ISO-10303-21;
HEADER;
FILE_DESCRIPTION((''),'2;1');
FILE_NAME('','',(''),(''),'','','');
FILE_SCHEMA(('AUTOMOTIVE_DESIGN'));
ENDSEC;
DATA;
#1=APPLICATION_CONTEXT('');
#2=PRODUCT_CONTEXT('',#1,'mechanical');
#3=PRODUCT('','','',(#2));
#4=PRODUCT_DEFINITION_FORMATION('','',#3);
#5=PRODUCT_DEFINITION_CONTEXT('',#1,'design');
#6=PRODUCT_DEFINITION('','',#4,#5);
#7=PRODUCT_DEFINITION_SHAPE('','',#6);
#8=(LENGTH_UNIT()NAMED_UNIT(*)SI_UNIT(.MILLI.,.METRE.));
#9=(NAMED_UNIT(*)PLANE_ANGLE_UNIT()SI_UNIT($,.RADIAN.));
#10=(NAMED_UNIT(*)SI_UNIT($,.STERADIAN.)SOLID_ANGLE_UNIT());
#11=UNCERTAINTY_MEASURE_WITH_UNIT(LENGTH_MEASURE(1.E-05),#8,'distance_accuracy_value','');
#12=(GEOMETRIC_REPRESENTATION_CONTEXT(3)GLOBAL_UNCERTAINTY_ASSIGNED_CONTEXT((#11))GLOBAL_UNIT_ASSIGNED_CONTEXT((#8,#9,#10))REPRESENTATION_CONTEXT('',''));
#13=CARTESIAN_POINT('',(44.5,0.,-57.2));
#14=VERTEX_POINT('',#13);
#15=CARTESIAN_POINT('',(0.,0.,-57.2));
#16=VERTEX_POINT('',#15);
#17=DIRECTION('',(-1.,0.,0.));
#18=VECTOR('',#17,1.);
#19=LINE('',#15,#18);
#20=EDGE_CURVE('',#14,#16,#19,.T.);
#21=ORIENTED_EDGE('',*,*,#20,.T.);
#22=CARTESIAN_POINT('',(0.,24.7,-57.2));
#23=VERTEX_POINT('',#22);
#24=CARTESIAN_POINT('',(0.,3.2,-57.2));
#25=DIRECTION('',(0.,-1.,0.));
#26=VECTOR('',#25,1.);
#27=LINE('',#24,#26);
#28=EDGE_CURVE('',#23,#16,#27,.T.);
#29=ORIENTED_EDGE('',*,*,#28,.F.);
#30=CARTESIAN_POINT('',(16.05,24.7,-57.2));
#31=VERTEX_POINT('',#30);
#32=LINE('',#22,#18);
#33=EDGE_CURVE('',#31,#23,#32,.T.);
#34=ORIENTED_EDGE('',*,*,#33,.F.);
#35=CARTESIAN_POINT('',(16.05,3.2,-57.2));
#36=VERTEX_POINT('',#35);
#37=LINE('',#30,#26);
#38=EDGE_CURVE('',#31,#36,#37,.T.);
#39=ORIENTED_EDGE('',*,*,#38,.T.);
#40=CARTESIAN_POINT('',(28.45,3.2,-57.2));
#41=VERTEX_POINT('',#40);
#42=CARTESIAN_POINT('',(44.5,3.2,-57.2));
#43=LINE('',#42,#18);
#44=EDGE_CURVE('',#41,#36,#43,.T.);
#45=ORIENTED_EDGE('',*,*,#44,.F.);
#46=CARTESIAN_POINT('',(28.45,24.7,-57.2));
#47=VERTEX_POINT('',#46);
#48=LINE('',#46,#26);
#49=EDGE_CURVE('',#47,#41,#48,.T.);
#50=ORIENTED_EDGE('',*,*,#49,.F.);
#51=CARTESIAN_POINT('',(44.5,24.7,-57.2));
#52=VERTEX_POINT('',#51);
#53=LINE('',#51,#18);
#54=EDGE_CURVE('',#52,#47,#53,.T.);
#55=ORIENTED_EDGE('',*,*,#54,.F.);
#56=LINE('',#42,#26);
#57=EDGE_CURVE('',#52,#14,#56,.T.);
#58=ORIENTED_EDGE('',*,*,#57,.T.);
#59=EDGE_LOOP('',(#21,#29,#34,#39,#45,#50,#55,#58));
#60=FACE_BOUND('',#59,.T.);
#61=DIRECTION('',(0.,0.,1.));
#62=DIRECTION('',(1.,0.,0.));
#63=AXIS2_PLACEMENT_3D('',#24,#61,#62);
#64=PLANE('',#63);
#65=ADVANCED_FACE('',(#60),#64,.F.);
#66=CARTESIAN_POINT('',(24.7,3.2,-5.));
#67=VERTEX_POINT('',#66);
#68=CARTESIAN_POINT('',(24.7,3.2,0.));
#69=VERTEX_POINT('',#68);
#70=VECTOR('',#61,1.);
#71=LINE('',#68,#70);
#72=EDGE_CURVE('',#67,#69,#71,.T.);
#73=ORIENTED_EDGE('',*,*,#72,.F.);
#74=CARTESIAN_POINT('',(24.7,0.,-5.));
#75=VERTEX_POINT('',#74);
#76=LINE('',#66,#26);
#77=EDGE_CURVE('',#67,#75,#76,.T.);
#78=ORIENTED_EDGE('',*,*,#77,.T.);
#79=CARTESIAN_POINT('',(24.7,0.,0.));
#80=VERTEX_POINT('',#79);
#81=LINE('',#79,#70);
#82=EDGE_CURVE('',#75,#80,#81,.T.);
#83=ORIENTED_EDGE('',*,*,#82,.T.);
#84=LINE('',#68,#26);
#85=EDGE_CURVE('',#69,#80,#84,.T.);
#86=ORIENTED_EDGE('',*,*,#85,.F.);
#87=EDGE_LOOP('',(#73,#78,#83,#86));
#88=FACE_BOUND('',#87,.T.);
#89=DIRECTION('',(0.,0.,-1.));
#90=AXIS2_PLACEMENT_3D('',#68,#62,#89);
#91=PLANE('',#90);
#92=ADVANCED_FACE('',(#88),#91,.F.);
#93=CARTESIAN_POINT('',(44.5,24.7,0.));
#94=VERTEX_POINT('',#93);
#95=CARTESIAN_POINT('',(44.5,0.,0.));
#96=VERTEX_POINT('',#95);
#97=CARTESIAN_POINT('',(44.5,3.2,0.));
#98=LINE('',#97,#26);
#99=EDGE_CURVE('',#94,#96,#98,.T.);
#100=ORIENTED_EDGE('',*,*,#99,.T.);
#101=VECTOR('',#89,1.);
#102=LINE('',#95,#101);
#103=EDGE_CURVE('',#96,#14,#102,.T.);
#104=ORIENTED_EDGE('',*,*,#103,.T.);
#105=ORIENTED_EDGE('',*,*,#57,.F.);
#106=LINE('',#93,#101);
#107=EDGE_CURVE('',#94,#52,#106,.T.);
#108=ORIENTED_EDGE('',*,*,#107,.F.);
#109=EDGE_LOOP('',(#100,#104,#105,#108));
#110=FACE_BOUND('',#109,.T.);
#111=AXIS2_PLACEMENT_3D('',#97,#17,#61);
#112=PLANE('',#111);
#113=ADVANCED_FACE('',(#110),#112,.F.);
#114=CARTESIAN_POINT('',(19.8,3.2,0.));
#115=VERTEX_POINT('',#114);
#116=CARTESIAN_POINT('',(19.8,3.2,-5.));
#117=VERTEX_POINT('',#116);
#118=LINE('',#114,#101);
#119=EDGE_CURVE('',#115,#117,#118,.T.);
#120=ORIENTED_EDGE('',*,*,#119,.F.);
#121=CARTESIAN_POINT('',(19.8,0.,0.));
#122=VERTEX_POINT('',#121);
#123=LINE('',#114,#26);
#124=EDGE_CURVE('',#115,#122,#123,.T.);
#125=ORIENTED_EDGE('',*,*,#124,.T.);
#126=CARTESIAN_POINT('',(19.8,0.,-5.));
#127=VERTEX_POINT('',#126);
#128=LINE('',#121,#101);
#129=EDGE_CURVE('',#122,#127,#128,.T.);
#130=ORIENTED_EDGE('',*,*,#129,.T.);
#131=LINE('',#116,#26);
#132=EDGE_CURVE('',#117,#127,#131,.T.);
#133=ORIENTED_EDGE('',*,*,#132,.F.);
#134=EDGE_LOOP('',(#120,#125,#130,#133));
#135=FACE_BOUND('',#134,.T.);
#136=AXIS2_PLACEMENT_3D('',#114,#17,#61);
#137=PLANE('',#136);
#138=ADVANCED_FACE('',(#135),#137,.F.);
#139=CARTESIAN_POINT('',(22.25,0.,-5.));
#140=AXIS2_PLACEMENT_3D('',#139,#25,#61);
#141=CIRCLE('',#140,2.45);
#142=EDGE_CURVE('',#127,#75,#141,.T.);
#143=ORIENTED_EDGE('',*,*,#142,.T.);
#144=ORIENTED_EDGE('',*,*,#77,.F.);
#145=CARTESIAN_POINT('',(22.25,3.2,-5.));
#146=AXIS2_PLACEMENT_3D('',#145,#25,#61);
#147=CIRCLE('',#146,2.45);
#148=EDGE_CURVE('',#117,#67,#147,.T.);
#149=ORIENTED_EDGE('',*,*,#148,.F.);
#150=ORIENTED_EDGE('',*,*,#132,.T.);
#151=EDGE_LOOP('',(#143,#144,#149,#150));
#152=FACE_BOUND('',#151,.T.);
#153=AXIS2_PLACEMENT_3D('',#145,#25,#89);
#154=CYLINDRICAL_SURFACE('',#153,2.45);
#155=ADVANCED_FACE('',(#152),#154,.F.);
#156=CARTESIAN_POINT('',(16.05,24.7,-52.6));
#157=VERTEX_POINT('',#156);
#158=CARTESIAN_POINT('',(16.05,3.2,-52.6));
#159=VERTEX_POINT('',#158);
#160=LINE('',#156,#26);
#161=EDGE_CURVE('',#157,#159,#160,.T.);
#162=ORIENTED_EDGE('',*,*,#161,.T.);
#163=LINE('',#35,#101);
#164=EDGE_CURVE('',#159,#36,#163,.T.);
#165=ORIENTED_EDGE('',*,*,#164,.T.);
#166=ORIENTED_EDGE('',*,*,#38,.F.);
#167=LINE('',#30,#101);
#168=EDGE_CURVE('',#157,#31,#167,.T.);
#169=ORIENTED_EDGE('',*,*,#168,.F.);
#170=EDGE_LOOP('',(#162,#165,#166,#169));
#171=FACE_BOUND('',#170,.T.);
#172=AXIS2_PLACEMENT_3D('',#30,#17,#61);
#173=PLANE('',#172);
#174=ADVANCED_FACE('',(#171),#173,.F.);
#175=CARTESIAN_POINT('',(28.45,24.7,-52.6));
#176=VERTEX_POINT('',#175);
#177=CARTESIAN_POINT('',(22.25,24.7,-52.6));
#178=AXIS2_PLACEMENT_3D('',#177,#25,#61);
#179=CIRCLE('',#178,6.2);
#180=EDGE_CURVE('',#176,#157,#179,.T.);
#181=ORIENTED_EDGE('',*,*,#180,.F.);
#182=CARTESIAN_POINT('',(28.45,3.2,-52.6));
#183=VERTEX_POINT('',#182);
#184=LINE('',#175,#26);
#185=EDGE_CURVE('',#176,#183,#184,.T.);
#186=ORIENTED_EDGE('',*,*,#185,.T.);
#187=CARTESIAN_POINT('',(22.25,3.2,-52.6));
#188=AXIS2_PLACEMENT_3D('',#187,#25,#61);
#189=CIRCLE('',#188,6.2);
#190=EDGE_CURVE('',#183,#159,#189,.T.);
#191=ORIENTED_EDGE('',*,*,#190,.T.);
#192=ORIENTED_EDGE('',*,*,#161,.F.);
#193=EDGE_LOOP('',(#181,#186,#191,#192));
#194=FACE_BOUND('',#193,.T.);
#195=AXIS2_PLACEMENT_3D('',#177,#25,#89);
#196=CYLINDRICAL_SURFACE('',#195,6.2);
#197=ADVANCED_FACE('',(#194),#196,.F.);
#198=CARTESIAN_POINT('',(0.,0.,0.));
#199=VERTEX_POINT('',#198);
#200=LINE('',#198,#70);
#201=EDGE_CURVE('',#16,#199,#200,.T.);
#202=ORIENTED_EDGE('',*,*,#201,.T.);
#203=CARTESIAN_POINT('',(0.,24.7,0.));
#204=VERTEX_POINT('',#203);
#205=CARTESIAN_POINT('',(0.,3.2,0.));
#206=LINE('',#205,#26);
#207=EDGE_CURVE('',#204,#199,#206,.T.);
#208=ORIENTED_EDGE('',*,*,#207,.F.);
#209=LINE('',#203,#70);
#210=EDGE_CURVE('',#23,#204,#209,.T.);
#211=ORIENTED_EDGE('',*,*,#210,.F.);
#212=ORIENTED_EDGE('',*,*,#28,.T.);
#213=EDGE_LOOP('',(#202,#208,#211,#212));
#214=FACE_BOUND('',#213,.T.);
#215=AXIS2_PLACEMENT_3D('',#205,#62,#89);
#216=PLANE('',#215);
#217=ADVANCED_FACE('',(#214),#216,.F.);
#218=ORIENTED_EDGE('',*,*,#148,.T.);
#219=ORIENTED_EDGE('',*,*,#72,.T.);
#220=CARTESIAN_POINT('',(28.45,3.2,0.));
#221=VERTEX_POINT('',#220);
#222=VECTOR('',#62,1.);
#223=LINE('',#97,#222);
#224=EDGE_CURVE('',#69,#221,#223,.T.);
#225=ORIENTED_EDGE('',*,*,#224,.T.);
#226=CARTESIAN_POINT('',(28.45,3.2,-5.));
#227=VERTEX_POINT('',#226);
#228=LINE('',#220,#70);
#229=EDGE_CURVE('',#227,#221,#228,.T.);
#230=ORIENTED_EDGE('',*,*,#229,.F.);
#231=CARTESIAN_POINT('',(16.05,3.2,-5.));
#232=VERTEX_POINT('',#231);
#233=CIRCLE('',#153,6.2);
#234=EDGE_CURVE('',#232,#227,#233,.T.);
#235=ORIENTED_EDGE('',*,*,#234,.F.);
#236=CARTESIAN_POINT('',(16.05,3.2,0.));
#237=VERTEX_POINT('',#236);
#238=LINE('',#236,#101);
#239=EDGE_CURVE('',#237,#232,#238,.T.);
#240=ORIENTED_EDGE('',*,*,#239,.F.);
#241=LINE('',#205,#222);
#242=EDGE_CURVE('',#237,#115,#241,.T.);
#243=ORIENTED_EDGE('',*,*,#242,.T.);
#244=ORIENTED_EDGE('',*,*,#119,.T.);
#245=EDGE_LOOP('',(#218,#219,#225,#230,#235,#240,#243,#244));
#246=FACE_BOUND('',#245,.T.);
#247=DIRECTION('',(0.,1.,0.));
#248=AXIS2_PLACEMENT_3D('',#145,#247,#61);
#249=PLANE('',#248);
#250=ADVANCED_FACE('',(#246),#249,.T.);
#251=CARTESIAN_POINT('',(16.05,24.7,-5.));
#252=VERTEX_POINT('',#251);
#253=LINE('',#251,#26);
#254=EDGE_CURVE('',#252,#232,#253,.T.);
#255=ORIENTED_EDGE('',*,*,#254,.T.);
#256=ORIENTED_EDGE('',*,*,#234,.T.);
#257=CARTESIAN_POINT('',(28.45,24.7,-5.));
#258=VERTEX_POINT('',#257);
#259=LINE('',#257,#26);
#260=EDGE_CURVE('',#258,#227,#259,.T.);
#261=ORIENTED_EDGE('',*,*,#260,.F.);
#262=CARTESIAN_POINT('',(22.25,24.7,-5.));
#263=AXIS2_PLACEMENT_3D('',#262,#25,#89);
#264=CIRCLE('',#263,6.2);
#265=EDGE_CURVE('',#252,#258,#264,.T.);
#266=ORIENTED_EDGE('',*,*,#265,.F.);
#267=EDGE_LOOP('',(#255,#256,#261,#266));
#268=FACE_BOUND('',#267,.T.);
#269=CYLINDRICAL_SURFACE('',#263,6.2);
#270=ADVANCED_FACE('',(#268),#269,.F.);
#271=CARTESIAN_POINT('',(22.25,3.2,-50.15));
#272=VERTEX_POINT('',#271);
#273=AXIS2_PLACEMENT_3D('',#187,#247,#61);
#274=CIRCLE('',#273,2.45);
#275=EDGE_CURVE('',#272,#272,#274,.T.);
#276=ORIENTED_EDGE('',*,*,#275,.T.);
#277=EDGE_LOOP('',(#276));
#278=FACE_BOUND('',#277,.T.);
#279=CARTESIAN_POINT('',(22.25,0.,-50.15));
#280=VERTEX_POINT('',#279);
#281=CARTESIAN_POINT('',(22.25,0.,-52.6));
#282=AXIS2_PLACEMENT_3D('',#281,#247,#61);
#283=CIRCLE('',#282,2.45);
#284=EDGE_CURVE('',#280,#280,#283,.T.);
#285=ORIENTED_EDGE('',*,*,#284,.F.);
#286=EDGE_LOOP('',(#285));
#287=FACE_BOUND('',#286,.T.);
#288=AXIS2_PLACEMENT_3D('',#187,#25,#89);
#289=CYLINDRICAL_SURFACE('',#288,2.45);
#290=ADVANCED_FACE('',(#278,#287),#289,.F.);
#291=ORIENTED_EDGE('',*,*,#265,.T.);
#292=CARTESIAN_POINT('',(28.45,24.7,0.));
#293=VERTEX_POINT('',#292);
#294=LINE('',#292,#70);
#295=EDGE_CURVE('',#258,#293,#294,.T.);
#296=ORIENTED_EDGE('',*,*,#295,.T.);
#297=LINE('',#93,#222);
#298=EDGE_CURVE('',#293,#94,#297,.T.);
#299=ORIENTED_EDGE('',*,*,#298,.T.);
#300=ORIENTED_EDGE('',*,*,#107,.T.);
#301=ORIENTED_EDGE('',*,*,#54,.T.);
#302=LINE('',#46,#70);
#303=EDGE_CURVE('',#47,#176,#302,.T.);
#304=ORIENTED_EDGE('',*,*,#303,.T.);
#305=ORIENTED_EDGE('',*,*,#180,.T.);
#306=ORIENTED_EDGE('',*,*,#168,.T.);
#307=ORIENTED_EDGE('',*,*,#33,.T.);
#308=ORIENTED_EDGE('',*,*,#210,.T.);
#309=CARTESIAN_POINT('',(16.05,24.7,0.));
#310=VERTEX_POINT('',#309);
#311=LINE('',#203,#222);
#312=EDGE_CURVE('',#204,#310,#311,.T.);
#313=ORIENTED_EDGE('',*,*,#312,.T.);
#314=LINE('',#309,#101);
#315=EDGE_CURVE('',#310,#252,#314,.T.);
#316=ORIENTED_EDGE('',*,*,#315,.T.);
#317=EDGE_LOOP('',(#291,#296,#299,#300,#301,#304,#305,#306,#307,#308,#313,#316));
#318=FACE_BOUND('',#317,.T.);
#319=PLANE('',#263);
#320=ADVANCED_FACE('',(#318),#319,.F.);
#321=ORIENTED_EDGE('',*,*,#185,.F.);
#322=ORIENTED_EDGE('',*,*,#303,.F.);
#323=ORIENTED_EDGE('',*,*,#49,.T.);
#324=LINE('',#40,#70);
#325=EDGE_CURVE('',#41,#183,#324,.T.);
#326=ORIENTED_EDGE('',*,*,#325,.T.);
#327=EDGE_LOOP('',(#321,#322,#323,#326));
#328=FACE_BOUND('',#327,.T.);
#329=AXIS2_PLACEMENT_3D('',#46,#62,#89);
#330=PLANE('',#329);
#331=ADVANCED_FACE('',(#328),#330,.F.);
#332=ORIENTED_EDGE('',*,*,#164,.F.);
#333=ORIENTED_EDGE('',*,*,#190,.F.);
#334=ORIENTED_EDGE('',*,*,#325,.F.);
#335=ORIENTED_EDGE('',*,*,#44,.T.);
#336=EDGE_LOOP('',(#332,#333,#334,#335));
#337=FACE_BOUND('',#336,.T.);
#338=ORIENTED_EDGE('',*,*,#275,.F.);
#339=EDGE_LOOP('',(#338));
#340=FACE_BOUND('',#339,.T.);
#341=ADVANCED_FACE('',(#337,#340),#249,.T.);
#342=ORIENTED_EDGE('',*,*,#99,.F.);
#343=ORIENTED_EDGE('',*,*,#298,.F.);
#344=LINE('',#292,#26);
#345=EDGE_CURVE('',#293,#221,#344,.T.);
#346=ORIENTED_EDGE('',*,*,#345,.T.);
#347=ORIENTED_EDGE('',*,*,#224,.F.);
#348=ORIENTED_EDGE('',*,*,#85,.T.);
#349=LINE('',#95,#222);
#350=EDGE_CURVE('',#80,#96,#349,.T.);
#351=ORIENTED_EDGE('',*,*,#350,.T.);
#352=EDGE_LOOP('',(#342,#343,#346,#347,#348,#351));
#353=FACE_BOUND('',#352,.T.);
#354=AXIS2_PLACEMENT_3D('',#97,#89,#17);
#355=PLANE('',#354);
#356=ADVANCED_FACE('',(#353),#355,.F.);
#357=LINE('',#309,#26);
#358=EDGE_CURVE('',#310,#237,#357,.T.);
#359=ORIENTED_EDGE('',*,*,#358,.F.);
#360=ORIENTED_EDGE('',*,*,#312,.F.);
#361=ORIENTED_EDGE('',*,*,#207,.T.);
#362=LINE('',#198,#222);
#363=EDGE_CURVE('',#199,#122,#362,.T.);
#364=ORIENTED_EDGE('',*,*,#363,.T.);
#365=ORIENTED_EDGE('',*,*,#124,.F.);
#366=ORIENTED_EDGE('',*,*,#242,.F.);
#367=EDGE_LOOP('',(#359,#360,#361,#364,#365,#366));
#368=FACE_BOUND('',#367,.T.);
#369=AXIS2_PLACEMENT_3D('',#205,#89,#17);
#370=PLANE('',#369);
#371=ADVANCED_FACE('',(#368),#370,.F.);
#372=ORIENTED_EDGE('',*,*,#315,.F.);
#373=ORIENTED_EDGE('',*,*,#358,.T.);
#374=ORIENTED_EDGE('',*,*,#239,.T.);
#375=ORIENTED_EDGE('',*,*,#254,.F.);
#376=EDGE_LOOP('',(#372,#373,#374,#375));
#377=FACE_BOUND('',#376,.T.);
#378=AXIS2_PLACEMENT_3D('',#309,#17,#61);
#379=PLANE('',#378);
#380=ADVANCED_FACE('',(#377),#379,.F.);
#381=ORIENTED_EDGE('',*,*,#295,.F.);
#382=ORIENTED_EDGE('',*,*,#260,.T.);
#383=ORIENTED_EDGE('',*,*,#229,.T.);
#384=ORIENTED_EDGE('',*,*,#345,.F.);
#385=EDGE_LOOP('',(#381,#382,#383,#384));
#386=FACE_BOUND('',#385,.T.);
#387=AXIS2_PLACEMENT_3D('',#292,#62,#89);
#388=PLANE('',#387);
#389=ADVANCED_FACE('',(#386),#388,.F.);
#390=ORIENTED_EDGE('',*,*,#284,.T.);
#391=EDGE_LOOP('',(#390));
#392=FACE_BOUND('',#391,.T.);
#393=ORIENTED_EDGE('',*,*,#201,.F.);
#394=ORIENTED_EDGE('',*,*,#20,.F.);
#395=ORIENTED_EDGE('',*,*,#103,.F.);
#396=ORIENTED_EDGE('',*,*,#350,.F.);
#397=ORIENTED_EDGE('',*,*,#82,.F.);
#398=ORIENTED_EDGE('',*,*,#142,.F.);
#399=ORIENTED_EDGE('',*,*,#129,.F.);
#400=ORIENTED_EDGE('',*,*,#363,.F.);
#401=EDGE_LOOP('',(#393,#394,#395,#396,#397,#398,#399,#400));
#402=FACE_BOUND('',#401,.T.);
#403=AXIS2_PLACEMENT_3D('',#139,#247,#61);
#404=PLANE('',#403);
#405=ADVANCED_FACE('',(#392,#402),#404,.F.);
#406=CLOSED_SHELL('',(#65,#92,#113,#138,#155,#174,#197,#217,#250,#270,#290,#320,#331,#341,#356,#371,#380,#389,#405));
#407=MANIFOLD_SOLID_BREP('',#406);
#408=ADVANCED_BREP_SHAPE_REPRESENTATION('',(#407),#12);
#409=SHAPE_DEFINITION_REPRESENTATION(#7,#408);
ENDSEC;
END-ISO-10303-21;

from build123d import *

# Parameters (mm, degrees)
SKETCH1_R           = 2.45
BOSS_EXTRUDE1_DEPTH = 3.2
BOSS_EXTRUDE2_DEPTH = 21.5


with BuildPart() as part:
    # Sketch1 → Boss-Extrude1 (new body)
    with BuildSketch(Plane(origin=(0, 0, 0), x_dir=(1, 0, 0), z_dir=(0, 1, 0))):
        with BuildLine():
            Line((0, 0), (19.8, 0))
            Line((19.8, 0), (19.8, 5))
            ThreePointArc((19.8, 5), (22.25, 7.45), (24.7, 5))
            Line((24.7, 5), (24.7, 0))
            Line((24.7, 0), (44.5, 0))
            Line((44.5, 0), (44.5, 57.2))
            Line((44.5, 57.2), (28.45, 57.2))
            Line((28.45, 57.2), (16.05, 57.2))
            Line((16.05, 57.2), (0, 57.2))
            Line((0, 57.2), (0, 0))
        make_face()
        with Locations((22.25, 52.6)):
            Circle(SKETCH1_R, mode=Mode.SUBTRACT)
    extrude(amount=BOSS_EXTRUDE1_DEPTH)

    # Sketch2 → Boss-Extrude2 (add)
    with BuildSketch(Plane(origin=(0, 3.2, 0), x_dir=(1, 0, 0), z_dir=(0, 1, 0))):
        with BuildLine():
            Line((0, 0), (0, 57.2))
            Line((0, 57.2), (16.05, 57.2))
            Line((16.05, 57.2), (16.05, 52.6))
            ThreePointArc((16.05, 52.6), (22.25, 46.4), (28.45, 52.6))
            Line((28.45, 52.6), (28.45, 57.2))
            Line((28.45, 57.2), (44.5, 57.2))
            Line((44.5, 57.2), (44.5, 0))
            Line((44.5, 0), (28.45, 0))
            Line((28.45, 0), (28.45, 5))
            ThreePointArc((28.45, 5), (22.25, 11.2), (16.05, 5))
            Line((16.05, 5), (16.05, 0))
            Line((16.05, 0), (0, 0))
        make_face()
    extrude(amount=BOSS_EXTRUDE2_DEPTH)


solid = part.part
